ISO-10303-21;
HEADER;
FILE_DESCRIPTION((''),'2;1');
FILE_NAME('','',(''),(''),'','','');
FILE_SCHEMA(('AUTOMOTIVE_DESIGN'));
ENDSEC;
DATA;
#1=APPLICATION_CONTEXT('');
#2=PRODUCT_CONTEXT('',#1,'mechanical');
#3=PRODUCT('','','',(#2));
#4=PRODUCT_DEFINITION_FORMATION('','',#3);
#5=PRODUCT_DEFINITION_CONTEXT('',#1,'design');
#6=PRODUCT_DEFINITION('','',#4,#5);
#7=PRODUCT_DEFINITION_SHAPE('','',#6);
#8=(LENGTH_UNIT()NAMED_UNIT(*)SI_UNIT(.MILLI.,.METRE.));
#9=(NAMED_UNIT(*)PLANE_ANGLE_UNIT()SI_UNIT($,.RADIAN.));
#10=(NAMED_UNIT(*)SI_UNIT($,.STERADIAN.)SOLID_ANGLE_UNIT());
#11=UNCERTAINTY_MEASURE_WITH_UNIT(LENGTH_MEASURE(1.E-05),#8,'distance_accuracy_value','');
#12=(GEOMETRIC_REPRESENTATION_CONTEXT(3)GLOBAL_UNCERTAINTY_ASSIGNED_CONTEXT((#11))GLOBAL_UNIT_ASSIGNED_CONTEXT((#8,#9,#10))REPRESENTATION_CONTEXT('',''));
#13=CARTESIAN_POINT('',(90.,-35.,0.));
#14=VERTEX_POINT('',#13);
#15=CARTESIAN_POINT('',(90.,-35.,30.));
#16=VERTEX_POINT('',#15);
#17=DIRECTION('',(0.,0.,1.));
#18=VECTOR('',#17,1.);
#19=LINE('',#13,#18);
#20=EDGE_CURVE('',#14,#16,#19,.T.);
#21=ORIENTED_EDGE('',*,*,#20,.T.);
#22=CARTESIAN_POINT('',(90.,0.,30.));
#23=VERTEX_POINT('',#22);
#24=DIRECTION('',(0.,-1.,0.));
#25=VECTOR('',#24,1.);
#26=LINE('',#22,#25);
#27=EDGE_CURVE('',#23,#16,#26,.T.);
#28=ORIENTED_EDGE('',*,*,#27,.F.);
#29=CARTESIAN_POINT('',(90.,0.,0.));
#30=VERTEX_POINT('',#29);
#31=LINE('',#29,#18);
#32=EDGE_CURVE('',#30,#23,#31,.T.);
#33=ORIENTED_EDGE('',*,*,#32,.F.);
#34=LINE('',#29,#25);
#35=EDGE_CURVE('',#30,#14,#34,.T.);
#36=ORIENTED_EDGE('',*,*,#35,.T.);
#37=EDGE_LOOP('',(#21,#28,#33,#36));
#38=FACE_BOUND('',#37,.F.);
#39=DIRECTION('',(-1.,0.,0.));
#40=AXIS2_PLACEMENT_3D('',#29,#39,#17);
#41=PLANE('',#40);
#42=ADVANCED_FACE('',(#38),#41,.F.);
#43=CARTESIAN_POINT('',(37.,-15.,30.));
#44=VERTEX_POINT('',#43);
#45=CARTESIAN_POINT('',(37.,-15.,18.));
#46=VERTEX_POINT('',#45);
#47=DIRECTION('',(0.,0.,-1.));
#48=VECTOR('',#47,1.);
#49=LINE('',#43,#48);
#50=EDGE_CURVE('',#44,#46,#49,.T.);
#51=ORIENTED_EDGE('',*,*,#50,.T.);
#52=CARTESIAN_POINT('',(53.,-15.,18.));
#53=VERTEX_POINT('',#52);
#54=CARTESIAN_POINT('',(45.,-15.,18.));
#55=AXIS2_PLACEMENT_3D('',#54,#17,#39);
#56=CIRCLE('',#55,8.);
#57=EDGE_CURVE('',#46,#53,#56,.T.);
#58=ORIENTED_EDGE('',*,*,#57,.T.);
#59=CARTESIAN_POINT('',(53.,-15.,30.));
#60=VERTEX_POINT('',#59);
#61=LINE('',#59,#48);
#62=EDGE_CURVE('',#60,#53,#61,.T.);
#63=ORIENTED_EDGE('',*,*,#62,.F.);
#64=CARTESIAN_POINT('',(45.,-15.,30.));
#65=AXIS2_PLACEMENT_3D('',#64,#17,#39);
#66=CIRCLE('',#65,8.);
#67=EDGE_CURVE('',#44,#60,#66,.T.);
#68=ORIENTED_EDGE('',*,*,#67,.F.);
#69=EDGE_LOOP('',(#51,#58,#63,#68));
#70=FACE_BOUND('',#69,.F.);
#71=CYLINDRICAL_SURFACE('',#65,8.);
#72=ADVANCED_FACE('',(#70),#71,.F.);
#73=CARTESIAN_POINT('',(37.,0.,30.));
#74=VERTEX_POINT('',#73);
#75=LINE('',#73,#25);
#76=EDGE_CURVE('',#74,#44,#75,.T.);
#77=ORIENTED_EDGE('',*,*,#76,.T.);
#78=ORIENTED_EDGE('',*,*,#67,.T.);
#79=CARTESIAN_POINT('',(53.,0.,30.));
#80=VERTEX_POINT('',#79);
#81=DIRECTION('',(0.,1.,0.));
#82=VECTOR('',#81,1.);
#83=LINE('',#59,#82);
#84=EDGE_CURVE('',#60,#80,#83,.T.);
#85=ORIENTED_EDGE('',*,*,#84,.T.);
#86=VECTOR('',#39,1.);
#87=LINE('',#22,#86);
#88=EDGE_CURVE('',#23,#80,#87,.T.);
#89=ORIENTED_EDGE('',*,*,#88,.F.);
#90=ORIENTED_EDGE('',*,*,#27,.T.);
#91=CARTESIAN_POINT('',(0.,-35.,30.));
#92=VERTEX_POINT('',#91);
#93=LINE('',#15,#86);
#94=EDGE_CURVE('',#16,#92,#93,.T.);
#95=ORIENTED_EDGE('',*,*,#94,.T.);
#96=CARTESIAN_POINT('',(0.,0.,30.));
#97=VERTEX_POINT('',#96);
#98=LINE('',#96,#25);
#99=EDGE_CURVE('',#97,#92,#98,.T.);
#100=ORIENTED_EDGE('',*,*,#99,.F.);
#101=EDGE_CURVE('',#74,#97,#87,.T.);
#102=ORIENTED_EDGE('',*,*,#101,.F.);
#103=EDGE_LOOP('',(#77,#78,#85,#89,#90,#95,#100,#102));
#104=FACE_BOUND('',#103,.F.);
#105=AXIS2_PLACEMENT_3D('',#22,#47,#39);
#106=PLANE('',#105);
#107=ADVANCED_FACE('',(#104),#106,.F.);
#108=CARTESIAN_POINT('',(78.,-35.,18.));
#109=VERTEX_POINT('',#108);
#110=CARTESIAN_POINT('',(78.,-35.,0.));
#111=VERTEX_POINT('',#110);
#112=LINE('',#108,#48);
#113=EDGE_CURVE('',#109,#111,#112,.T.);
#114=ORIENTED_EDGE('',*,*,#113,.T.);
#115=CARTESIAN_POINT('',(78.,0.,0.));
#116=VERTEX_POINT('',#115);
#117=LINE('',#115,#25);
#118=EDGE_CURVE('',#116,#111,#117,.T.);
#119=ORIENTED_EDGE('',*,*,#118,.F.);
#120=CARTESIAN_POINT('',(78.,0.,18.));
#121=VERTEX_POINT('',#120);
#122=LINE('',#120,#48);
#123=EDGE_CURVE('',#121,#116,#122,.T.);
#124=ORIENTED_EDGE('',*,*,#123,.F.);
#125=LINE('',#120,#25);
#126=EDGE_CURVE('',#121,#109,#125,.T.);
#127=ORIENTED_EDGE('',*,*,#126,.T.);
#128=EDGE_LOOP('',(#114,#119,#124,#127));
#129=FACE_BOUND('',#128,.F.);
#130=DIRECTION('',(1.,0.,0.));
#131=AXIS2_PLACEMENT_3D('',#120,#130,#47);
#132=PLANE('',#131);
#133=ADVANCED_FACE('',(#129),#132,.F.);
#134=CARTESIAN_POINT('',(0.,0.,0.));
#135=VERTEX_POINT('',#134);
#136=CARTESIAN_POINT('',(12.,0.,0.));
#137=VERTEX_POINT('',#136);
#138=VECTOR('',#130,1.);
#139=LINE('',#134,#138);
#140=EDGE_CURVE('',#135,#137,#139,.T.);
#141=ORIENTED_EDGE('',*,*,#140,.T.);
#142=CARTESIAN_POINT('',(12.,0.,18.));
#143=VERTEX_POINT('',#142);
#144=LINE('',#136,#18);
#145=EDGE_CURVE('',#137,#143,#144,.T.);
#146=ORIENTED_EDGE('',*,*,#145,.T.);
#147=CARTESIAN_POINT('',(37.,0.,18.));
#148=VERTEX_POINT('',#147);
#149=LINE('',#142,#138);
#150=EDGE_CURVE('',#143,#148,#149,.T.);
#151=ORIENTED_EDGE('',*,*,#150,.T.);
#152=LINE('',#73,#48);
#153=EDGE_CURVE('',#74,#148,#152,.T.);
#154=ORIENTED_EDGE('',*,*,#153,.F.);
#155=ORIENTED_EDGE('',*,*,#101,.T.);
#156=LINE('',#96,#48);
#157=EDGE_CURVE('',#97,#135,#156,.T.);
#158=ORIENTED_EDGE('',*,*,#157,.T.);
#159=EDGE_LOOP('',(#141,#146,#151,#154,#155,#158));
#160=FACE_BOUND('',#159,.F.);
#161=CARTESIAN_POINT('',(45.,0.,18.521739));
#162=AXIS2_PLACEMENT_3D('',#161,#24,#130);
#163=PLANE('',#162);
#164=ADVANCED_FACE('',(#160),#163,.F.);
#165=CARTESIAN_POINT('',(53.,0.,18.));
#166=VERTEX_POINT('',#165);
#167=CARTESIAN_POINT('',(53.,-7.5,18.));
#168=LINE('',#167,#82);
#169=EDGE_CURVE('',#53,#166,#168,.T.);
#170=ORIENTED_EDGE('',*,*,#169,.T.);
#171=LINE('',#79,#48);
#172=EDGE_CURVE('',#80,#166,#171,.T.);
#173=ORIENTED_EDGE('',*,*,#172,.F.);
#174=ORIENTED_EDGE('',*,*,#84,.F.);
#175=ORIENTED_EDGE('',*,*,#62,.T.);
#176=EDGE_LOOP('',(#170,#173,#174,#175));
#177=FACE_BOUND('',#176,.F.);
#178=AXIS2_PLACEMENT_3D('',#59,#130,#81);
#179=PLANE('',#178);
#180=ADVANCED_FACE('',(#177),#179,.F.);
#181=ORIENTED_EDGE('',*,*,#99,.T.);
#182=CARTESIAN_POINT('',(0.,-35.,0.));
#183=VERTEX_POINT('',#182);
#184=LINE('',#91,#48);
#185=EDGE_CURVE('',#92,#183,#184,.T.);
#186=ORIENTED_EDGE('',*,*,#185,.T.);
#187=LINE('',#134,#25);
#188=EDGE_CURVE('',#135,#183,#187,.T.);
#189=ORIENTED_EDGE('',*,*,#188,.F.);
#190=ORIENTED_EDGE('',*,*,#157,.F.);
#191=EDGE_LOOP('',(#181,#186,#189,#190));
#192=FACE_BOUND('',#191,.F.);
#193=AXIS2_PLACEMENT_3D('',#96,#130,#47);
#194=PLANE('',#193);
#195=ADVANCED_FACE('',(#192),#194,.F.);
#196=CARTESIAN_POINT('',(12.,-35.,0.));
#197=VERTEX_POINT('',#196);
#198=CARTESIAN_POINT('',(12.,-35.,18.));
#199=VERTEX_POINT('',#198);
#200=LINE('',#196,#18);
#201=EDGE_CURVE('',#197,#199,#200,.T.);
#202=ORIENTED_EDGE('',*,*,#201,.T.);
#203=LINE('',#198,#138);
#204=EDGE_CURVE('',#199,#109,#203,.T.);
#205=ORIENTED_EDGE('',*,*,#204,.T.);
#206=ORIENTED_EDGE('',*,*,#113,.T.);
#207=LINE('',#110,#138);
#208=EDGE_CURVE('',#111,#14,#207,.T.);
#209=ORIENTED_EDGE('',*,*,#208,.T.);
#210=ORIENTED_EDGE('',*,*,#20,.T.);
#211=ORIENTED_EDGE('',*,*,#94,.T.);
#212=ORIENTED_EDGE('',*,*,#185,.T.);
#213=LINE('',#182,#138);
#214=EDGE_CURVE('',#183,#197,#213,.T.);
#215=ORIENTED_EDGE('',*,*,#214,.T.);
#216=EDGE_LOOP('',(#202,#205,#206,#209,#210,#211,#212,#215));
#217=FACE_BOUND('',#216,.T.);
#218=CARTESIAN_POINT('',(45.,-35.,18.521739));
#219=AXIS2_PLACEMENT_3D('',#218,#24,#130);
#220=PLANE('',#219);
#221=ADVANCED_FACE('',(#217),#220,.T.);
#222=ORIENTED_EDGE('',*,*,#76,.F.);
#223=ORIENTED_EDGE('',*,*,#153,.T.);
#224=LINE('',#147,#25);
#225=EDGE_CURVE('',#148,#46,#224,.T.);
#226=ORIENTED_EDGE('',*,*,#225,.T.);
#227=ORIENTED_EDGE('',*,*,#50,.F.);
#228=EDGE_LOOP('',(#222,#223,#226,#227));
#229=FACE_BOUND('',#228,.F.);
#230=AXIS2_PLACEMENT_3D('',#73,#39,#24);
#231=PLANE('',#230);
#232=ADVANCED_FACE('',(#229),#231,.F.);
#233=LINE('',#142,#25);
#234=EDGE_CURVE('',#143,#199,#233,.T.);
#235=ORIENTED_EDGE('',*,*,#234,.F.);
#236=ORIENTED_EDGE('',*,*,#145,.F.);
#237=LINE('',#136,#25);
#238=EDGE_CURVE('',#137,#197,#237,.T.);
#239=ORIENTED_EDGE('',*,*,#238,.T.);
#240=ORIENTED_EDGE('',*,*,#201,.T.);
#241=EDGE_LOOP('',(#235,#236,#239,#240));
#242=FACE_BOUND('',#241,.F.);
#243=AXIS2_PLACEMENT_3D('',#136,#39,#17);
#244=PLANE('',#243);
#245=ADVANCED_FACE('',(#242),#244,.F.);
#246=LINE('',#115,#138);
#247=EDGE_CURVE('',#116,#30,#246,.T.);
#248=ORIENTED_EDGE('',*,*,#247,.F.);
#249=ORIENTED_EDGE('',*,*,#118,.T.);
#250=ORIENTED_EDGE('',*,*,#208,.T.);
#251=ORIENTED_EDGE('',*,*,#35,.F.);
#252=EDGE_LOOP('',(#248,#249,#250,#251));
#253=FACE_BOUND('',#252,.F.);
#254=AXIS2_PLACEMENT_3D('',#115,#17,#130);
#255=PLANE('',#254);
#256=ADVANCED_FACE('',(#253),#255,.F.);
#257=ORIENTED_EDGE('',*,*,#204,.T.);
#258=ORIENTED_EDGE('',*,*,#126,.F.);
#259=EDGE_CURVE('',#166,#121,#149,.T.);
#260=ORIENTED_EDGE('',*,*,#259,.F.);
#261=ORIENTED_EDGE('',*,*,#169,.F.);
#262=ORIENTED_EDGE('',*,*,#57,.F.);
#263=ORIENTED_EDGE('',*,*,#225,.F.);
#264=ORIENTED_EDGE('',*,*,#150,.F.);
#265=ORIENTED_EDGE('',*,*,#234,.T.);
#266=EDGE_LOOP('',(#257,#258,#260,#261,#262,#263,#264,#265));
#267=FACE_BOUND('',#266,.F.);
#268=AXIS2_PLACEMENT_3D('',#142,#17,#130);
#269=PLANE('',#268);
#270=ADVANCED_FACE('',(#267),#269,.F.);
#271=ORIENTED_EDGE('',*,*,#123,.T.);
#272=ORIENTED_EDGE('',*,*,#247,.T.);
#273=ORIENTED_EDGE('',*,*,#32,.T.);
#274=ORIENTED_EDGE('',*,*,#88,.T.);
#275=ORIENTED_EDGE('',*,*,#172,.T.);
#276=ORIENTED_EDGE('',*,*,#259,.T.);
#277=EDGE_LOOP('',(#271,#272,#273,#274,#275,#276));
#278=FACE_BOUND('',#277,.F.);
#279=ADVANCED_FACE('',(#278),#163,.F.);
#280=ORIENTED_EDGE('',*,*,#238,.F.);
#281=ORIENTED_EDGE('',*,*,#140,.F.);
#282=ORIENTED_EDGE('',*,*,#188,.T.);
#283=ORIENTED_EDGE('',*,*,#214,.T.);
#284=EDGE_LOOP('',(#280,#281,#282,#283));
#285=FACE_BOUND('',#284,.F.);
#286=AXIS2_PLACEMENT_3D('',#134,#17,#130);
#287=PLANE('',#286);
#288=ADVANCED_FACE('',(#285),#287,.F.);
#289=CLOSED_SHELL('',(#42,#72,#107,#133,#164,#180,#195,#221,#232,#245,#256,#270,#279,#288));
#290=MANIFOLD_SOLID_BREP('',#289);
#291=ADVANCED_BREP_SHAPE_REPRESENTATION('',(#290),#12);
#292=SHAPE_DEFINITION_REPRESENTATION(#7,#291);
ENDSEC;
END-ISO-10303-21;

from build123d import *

# Parameters (mm, degrees)
F1_DEPTH = 35
F3_DEPTH = 30.001


with BuildPart() as f1:
    # F0 (on Front) → F1 (new body)
    with BuildSketch(Plane.XZ):
        Polygon((0, 30), (0, 0), (12, 0), (12, 18), (78, 18), (78, 0), (90, 0), (90, 30), align=None)
    extrude(amount=F1_DEPTH)

    # F2 (on face) → F3 (cut, through all)
    with BuildSketch(Plane.XY.offset(30)):
        with BuildLine():
            Line((37, 0), (37, -15))
            ThreePointArc((37, -15), (45, -23), (53, -15))
            Line((53, -15), (53, 0))
            Line((53, 0), (37, 0))
        make_face()
    extrude(amount=-F3_DEPTH, mode=Mode.SUBTRACT)


solid = f1.part
